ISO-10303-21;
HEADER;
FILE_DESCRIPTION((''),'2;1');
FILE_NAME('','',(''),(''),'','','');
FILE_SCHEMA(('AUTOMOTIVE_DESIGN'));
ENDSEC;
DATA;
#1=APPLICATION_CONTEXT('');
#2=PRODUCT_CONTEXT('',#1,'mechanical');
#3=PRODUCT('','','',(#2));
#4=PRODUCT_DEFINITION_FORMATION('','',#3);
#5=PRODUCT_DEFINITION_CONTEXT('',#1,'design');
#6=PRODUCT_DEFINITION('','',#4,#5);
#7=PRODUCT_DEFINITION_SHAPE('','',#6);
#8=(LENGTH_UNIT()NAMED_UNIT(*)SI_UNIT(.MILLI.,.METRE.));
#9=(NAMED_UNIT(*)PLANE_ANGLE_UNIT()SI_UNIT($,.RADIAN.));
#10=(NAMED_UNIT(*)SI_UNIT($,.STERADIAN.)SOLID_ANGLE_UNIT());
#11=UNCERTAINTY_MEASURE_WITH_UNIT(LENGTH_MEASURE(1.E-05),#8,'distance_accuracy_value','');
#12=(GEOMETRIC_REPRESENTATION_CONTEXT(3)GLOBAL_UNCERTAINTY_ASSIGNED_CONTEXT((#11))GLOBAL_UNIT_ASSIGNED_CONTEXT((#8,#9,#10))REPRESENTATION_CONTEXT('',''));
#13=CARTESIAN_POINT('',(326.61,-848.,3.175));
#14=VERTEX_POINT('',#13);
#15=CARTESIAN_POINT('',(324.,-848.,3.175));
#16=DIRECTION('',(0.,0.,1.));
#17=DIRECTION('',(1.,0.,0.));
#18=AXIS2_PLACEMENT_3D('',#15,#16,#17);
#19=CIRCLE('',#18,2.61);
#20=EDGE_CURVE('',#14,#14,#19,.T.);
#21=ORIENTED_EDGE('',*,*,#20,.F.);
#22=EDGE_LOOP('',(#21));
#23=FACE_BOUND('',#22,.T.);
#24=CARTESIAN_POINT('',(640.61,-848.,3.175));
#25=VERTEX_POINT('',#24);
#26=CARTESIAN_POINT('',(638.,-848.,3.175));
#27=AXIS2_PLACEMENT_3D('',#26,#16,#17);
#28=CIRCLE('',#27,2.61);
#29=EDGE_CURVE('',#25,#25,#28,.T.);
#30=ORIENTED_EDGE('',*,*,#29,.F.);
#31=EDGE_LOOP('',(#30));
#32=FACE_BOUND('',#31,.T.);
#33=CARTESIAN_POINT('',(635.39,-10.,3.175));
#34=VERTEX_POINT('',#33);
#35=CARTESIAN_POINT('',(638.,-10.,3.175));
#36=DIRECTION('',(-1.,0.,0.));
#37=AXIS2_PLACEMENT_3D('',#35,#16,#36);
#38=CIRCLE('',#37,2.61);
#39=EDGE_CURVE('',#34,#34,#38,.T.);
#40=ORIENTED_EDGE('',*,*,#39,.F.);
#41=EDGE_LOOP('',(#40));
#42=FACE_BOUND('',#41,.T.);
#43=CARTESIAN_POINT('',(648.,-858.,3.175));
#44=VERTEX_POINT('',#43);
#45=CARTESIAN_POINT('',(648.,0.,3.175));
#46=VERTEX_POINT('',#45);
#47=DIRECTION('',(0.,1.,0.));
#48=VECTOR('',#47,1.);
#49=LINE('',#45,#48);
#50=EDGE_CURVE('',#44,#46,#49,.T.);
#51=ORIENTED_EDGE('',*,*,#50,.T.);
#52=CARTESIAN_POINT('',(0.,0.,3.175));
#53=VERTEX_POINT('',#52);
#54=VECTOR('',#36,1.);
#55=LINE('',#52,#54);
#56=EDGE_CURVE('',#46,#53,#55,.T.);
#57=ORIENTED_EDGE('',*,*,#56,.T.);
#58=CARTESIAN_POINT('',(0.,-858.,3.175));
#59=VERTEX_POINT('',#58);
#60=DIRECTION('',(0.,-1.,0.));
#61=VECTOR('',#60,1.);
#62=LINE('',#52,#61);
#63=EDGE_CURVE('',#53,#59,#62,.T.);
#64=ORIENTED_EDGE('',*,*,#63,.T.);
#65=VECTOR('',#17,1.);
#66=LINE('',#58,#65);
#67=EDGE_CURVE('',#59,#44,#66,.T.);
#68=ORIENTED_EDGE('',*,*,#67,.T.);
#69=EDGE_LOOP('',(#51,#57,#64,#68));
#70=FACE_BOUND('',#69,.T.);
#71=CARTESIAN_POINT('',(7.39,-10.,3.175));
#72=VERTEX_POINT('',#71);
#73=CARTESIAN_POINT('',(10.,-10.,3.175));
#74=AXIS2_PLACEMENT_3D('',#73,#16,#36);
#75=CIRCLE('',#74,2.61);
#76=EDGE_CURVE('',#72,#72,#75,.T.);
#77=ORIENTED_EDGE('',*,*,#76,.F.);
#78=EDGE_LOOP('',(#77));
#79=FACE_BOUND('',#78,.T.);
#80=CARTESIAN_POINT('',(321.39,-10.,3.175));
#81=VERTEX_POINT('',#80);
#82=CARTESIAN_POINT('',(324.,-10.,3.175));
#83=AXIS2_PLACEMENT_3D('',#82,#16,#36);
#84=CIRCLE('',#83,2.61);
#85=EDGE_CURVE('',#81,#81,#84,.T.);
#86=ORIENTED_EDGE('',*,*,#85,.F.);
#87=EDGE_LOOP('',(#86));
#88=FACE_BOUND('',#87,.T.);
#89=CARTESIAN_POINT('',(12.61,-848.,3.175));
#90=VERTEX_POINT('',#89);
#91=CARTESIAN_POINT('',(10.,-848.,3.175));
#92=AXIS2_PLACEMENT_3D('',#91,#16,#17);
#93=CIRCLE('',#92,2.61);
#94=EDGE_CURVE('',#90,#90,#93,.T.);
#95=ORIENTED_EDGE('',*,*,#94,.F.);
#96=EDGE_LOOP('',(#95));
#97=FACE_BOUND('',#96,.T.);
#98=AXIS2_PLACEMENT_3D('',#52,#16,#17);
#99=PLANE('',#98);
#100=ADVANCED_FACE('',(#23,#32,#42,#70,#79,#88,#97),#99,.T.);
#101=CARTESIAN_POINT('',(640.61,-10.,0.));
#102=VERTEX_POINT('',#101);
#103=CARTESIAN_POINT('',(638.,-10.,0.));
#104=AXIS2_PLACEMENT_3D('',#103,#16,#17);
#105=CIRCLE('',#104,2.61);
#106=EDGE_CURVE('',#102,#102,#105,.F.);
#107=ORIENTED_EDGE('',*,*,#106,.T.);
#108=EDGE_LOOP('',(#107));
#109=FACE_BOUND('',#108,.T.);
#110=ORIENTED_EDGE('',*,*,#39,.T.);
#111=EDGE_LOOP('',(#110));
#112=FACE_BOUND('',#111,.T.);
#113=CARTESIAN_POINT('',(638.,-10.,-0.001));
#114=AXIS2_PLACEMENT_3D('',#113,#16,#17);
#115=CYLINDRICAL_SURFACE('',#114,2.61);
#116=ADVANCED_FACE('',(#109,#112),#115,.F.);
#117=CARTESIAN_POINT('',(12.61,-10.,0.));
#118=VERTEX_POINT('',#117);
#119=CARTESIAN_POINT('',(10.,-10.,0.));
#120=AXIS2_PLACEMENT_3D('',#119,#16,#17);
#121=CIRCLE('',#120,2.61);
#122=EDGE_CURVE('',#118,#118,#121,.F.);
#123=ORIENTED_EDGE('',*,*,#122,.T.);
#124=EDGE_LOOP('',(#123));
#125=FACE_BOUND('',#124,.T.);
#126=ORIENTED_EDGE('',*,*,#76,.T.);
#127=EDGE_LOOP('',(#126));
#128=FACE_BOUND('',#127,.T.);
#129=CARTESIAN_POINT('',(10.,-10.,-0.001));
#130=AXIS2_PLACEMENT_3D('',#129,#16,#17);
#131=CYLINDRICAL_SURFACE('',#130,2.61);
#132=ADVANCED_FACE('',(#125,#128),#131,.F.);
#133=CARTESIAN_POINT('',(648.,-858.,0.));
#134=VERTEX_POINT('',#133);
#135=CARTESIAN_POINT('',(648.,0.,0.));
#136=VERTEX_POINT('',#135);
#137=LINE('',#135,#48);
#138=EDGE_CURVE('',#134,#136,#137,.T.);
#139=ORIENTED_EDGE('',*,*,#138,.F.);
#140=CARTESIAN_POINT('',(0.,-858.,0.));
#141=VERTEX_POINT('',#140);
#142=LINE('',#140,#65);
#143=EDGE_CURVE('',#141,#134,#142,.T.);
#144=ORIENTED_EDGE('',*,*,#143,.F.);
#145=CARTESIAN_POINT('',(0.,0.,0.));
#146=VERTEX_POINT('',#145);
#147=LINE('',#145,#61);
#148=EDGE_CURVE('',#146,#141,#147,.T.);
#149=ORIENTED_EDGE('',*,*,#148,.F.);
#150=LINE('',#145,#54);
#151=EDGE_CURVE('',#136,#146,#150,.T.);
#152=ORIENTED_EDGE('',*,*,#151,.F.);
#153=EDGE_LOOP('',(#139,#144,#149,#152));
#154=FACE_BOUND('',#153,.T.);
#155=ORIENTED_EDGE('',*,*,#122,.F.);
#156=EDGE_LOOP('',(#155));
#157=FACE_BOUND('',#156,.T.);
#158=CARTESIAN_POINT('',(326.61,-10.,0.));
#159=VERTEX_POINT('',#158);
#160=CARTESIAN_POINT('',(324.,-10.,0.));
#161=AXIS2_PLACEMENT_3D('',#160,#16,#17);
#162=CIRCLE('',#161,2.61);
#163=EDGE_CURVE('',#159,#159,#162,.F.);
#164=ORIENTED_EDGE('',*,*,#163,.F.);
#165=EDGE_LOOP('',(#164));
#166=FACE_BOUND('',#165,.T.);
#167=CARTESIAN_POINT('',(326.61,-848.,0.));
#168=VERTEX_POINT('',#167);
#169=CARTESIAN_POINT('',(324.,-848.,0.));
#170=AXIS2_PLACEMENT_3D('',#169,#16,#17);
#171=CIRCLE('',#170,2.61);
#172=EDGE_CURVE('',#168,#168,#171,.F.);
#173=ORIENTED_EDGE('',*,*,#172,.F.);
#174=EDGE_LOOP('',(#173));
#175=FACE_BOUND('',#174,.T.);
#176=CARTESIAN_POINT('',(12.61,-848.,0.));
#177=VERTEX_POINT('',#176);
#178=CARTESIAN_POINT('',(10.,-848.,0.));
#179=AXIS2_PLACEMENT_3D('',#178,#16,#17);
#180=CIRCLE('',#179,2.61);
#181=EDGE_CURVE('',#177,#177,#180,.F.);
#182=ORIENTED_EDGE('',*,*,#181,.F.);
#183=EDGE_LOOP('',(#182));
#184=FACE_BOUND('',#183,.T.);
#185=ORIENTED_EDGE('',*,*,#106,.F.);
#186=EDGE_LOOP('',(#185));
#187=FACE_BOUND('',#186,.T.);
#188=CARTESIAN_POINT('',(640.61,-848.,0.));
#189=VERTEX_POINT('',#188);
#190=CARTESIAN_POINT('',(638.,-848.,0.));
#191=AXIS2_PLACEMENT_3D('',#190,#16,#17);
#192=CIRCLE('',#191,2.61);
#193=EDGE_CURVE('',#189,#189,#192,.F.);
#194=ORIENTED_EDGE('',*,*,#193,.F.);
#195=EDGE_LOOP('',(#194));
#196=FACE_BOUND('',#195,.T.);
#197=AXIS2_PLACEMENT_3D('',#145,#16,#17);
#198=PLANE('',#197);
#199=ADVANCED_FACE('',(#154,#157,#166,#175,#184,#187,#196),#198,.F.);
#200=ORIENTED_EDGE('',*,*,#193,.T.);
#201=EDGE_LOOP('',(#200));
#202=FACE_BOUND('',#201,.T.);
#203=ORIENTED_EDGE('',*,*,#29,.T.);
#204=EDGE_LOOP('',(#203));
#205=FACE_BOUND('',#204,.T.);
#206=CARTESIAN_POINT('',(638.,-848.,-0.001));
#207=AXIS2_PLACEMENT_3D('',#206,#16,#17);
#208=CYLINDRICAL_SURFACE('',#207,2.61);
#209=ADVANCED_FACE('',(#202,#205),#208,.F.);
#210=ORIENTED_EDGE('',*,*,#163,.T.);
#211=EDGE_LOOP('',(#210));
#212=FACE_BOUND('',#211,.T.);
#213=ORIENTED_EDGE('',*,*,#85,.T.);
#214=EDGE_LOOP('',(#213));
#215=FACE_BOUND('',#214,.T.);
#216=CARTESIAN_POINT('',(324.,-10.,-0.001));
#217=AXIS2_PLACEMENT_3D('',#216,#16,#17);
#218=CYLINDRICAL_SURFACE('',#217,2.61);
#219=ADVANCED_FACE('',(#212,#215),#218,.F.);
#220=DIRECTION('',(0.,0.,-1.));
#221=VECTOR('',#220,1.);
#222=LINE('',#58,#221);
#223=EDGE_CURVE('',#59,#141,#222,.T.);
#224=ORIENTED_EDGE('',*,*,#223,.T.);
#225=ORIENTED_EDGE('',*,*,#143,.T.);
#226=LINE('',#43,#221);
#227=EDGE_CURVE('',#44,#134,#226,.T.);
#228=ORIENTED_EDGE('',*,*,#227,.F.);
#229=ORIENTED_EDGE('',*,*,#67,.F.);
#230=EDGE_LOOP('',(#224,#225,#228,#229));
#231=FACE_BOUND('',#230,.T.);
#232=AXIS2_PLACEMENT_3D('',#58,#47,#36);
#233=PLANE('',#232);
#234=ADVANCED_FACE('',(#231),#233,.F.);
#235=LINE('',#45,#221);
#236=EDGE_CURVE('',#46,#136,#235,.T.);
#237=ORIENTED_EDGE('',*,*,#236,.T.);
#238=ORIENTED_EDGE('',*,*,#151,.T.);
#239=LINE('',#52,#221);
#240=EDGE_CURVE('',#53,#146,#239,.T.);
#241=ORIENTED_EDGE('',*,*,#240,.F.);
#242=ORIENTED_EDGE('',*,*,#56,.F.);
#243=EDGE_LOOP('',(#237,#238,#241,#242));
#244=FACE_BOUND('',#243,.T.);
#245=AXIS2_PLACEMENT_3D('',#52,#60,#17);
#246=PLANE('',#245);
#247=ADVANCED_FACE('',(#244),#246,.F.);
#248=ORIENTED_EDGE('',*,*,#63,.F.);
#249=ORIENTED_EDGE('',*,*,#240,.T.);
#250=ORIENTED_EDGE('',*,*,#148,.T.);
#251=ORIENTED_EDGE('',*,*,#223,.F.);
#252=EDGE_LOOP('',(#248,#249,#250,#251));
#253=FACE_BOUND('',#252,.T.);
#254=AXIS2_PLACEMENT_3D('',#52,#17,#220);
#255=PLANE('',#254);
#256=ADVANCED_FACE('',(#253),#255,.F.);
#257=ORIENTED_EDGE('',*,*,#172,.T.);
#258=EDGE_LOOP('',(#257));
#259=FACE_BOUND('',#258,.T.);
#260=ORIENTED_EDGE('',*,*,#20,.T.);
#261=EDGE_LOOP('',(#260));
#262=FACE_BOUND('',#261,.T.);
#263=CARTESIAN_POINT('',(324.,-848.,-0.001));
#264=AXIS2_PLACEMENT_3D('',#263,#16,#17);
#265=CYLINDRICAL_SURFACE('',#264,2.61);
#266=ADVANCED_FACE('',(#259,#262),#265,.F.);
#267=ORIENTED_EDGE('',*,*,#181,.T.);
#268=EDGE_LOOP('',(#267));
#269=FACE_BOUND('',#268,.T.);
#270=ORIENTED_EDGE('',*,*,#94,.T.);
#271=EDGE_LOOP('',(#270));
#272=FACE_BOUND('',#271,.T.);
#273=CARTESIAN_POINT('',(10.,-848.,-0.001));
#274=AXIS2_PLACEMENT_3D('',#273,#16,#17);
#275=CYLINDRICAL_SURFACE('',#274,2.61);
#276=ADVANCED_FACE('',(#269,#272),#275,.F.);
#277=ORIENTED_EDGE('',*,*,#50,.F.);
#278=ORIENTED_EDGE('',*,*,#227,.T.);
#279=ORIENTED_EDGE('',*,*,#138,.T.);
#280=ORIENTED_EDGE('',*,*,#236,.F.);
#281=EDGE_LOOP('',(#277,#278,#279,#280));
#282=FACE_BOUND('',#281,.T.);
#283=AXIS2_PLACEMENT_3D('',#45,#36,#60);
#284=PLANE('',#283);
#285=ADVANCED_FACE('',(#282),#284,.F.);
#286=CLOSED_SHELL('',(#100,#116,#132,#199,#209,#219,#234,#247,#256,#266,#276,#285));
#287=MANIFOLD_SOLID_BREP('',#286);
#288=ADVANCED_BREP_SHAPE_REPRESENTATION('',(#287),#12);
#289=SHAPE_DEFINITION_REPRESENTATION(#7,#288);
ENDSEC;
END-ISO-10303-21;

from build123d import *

# Parameters (mm, degrees)
SKETCH1_W           = 648
SKETCH1_H           = 858
BOSS_EXTRUDE1_DEPTH = 3.175
CUT_EXTRUDE1_REACH  = 1077.211
SKETCH2_R           = 2.61


with BuildPart() as part:
    # Sketch1 → Boss-Extrude1 (new body)
    with BuildSketch(Plane.XY):
        with Locations((324, -429)):
            Rectangle(SKETCH1_W, SKETCH1_H)
    extrude(amount=BOSS_EXTRUDE1_DEPTH)

    # Sketch2 → Cut-Extrude1 (cut, up to next)
    with BuildSketch(Plane.XY.offset(3.175), mode=Mode.PRIVATE) as cut_extrude1_sk1:
        with Locations((10, -848)):
            Circle(SKETCH2_R)
    cut_extrude1_tool1 = extrude(cut_extrude1_sk1.sketch, amount=-CUT_EXTRUDE1_REACH, mode=Mode.PRIVATE) & part.part
    # Sketch2 → Cut-Extrude1 (cut, up to next)
    with BuildSketch(Plane.XY.offset(3.175), mode=Mode.PRIVATE) as cut_extrude1_sk2:
        with Locations((324, -848)):
            Circle(SKETCH2_R)
    cut_extrude1_tool2 = extrude(cut_extrude1_sk2.sketch, amount=-CUT_EXTRUDE1_REACH, mode=Mode.PRIVATE) & part.part
    # Sketch2 → Cut-Extrude1 (cut, up to next)
    with BuildSketch(Plane.XY.offset(3.175), mode=Mode.PRIVATE) as cut_extrude1_sk3:
        with Locations((638, -848)):
            Circle(SKETCH2_R)
    cut_extrude1_tool3 = extrude(cut_extrude1_sk3.sketch, amount=-CUT_EXTRUDE1_REACH, mode=Mode.PRIVATE) & part.part
    # Sketch2 → Cut-Extrude1 (cut, up to next)
    with BuildSketch(Plane.XY.offset(3.175), mode=Mode.PRIVATE) as cut_extrude1_sk4:
        with Locations((638, -10)):
            Circle(SKETCH2_R)
    cut_extrude1_tool4 = extrude(cut_extrude1_sk4.sketch, amount=-CUT_EXTRUDE1_REACH, mode=Mode.PRIVATE) & part.part
    # Sketch2 → Cut-Extrude1 (cut, up to next)
    with BuildSketch(Plane.XY.offset(3.175), mode=Mode.PRIVATE) as cut_extrude1_sk5:
        with Locations((324, -10)):
            Circle(SKETCH2_R)
    cut_extrude1_tool5 = extrude(cut_extrude1_sk5.sketch, amount=-CUT_EXTRUDE1_REACH, mode=Mode.PRIVATE) & part.part
    # Sketch2 → Cut-Extrude1 (cut, up to next)
    with BuildSketch(Plane.XY.offset(3.175), mode=Mode.PRIVATE) as cut_extrude1_sk6:
        with Locations((10, -10)):
            Circle(SKETCH2_R)
    cut_extrude1_tool6 = extrude(cut_extrude1_sk6.sketch, amount=-CUT_EXTRUDE1_REACH, mode=Mode.PRIVATE) & part.part
    add(cut_extrude1_tool1.solids().sort_by_distance((10, -848, 3.175))[0], mode=Mode.SUBTRACT)
    add(cut_extrude1_tool2.solids().sort_by_distance((324, -848, 3.175))[0], mode=Mode.SUBTRACT)
    add(cut_extrude1_tool3.solids().sort_by_distance((638, -848, 3.175))[0], mode=Mode.SUBTRACT)
    add(cut_extrude1_tool4.solids().sort_by_distance((638, -10, 3.175))[0], mode=Mode.SUBTRACT)
    add(cut_extrude1_tool5.solids().sort_by_distance((324, -10, 3.175))[0], mode=Mode.SUBTRACT)
    add(cut_extrude1_tool6.solids().sort_by_distance((10, -10, 3.175))[0], mode=Mode.SUBTRACT)


solid = part.part
